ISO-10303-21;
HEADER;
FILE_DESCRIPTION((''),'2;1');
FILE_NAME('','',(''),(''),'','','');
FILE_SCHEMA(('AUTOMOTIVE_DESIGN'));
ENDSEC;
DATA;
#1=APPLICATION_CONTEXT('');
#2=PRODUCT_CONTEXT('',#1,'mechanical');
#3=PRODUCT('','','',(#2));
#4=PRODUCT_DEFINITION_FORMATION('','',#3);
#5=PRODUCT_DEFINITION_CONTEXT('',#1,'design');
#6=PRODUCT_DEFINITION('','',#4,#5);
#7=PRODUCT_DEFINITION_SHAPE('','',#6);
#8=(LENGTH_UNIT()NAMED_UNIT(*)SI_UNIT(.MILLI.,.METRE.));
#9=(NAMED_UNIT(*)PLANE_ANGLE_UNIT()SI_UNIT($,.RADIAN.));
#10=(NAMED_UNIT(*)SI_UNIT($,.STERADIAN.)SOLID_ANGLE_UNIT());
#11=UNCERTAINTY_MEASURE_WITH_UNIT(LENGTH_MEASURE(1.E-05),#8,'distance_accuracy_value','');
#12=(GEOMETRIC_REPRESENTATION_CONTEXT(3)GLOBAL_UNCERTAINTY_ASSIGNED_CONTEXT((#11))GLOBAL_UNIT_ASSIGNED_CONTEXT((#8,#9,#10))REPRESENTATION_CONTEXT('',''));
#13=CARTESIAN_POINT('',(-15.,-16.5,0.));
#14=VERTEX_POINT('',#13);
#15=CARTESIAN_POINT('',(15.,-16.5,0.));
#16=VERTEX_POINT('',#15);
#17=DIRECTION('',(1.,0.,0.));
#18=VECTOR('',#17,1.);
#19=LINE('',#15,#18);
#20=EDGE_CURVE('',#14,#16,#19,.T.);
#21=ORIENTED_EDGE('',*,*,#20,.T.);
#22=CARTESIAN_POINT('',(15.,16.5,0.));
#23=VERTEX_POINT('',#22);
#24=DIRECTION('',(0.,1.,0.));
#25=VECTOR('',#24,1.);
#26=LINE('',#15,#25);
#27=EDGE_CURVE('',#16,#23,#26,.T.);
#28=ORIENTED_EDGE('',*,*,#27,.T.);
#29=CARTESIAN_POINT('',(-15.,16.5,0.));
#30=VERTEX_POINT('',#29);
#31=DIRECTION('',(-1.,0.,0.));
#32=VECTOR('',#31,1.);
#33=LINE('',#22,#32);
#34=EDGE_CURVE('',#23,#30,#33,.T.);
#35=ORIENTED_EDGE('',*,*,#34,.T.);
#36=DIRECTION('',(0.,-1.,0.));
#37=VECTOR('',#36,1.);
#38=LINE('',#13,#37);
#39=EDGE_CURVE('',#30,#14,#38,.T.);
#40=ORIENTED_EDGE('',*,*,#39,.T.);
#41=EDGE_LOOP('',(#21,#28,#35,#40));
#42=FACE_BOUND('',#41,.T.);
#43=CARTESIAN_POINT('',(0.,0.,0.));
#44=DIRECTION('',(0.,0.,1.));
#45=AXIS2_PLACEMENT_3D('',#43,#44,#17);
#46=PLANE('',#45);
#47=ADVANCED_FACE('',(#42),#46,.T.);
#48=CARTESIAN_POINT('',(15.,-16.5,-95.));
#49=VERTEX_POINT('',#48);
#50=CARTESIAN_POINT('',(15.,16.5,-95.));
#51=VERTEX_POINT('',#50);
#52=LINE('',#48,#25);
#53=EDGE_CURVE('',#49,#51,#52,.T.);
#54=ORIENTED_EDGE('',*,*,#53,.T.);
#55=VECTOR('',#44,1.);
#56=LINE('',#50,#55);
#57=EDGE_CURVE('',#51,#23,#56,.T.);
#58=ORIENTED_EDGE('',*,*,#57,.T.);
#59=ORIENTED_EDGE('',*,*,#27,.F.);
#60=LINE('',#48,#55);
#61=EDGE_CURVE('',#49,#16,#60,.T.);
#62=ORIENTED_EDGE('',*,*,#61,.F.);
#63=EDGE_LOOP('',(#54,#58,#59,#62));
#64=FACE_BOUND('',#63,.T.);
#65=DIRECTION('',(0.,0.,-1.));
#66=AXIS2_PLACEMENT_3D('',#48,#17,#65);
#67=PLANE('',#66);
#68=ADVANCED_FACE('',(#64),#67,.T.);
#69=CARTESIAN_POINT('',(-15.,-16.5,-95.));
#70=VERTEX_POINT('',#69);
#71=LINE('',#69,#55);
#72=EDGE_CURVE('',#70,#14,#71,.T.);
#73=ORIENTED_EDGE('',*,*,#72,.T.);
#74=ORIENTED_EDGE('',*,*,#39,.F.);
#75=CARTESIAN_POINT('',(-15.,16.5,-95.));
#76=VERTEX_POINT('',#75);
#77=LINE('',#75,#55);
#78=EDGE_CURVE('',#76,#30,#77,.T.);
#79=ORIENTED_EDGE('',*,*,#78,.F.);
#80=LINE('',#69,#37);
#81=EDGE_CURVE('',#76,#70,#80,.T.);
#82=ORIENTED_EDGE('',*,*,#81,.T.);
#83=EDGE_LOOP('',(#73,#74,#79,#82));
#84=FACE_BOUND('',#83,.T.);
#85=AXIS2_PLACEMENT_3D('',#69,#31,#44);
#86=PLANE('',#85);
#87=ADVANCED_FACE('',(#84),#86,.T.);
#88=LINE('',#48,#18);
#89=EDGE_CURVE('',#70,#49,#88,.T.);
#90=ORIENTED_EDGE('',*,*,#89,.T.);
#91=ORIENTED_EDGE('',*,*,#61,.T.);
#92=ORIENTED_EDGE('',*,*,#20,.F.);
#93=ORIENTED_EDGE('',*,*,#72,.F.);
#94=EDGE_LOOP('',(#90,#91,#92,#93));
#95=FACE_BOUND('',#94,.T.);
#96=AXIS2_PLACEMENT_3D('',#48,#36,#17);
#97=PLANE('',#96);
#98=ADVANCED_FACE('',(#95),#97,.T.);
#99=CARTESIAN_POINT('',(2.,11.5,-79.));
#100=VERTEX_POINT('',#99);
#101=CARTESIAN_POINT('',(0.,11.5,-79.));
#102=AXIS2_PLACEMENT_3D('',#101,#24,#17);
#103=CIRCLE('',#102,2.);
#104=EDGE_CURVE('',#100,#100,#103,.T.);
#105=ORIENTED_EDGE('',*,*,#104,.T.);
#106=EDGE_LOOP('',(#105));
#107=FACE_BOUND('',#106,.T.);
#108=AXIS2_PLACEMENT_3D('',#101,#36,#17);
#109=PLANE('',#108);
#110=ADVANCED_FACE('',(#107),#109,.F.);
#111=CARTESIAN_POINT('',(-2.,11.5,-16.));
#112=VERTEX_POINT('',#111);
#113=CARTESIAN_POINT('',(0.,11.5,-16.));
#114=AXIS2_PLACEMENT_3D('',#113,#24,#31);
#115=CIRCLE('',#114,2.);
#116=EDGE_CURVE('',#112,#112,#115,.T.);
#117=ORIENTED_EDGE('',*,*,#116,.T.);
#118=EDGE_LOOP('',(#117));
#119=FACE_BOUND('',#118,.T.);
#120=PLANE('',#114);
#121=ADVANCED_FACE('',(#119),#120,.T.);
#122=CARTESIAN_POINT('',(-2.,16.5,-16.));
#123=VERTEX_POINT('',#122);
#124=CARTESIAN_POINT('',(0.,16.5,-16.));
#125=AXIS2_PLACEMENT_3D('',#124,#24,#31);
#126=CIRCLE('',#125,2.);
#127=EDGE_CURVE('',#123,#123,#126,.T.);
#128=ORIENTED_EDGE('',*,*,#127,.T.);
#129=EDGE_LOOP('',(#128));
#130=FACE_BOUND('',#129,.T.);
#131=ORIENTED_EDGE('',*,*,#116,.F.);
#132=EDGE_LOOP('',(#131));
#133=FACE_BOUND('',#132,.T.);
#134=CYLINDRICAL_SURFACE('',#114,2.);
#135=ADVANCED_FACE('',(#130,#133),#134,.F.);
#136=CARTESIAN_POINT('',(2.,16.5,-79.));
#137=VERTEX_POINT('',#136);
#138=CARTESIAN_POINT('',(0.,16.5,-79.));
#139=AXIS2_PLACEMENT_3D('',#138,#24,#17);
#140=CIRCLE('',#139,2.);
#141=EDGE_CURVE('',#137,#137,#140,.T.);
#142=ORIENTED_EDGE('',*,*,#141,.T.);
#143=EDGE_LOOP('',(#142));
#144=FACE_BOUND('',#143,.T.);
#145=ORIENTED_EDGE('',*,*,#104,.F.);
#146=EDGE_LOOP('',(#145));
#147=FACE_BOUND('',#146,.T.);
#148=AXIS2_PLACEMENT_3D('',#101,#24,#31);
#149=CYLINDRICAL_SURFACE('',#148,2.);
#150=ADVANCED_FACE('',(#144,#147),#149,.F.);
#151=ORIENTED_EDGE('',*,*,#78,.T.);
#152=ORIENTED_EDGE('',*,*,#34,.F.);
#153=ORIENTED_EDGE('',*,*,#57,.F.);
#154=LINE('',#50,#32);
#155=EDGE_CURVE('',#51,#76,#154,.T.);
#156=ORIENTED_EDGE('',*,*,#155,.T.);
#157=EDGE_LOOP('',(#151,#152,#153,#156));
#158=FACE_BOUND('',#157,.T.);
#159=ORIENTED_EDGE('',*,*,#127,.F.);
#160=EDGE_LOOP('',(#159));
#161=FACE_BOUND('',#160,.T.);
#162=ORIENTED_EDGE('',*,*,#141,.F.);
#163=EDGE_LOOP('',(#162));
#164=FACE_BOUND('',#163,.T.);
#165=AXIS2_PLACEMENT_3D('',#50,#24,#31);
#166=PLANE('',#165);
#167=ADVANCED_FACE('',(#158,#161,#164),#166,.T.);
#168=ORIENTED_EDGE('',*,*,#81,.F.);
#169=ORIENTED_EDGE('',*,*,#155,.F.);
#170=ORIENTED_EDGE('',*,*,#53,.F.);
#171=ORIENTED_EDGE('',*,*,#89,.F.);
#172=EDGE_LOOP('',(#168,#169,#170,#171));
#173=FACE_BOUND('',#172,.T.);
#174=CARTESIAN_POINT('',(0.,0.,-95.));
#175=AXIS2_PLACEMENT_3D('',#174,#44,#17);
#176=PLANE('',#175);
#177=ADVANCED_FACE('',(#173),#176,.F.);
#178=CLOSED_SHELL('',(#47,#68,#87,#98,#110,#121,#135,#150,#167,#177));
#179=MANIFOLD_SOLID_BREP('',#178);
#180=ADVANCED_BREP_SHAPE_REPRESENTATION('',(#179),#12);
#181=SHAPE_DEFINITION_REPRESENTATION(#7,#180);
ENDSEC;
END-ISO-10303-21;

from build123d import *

# Parameters (mm, degrees)
CROQUIS1_W              = 30
CROQUIS1_H              = 33
SALIENTE_EXTRUIR1_DEPTH = 95
CROQUIS2_R              = 2
CORTAR_EXTRUIR1_DEPTH   = 5


with BuildPart() as part:
    # Croquis1 → Saliente-Extruir1 (new body)
    with BuildSketch(Plane.XY):
        Rectangle(CROQUIS1_W, CROQUIS1_H)
    extrude(amount=-SALIENTE_EXTRUIR1_DEPTH)

    # Croquis2 → Cortar-Extruir1 (cut)
    with BuildSketch(Plane(origin=(0, 16.5, 0), x_dir=(1, 0, 0), z_dir=(0, 1, 0))):
        with Locations(Location((0, 16, 0), (0, 0, 180))):
            Circle(CROQUIS2_R)
        with Locations((0, 79)):
            Circle(CROQUIS2_R)
    extrude(amount=-CORTAR_EXTRUIR1_DEPTH, mode=Mode.SUBTRACT)


solid = part.part
